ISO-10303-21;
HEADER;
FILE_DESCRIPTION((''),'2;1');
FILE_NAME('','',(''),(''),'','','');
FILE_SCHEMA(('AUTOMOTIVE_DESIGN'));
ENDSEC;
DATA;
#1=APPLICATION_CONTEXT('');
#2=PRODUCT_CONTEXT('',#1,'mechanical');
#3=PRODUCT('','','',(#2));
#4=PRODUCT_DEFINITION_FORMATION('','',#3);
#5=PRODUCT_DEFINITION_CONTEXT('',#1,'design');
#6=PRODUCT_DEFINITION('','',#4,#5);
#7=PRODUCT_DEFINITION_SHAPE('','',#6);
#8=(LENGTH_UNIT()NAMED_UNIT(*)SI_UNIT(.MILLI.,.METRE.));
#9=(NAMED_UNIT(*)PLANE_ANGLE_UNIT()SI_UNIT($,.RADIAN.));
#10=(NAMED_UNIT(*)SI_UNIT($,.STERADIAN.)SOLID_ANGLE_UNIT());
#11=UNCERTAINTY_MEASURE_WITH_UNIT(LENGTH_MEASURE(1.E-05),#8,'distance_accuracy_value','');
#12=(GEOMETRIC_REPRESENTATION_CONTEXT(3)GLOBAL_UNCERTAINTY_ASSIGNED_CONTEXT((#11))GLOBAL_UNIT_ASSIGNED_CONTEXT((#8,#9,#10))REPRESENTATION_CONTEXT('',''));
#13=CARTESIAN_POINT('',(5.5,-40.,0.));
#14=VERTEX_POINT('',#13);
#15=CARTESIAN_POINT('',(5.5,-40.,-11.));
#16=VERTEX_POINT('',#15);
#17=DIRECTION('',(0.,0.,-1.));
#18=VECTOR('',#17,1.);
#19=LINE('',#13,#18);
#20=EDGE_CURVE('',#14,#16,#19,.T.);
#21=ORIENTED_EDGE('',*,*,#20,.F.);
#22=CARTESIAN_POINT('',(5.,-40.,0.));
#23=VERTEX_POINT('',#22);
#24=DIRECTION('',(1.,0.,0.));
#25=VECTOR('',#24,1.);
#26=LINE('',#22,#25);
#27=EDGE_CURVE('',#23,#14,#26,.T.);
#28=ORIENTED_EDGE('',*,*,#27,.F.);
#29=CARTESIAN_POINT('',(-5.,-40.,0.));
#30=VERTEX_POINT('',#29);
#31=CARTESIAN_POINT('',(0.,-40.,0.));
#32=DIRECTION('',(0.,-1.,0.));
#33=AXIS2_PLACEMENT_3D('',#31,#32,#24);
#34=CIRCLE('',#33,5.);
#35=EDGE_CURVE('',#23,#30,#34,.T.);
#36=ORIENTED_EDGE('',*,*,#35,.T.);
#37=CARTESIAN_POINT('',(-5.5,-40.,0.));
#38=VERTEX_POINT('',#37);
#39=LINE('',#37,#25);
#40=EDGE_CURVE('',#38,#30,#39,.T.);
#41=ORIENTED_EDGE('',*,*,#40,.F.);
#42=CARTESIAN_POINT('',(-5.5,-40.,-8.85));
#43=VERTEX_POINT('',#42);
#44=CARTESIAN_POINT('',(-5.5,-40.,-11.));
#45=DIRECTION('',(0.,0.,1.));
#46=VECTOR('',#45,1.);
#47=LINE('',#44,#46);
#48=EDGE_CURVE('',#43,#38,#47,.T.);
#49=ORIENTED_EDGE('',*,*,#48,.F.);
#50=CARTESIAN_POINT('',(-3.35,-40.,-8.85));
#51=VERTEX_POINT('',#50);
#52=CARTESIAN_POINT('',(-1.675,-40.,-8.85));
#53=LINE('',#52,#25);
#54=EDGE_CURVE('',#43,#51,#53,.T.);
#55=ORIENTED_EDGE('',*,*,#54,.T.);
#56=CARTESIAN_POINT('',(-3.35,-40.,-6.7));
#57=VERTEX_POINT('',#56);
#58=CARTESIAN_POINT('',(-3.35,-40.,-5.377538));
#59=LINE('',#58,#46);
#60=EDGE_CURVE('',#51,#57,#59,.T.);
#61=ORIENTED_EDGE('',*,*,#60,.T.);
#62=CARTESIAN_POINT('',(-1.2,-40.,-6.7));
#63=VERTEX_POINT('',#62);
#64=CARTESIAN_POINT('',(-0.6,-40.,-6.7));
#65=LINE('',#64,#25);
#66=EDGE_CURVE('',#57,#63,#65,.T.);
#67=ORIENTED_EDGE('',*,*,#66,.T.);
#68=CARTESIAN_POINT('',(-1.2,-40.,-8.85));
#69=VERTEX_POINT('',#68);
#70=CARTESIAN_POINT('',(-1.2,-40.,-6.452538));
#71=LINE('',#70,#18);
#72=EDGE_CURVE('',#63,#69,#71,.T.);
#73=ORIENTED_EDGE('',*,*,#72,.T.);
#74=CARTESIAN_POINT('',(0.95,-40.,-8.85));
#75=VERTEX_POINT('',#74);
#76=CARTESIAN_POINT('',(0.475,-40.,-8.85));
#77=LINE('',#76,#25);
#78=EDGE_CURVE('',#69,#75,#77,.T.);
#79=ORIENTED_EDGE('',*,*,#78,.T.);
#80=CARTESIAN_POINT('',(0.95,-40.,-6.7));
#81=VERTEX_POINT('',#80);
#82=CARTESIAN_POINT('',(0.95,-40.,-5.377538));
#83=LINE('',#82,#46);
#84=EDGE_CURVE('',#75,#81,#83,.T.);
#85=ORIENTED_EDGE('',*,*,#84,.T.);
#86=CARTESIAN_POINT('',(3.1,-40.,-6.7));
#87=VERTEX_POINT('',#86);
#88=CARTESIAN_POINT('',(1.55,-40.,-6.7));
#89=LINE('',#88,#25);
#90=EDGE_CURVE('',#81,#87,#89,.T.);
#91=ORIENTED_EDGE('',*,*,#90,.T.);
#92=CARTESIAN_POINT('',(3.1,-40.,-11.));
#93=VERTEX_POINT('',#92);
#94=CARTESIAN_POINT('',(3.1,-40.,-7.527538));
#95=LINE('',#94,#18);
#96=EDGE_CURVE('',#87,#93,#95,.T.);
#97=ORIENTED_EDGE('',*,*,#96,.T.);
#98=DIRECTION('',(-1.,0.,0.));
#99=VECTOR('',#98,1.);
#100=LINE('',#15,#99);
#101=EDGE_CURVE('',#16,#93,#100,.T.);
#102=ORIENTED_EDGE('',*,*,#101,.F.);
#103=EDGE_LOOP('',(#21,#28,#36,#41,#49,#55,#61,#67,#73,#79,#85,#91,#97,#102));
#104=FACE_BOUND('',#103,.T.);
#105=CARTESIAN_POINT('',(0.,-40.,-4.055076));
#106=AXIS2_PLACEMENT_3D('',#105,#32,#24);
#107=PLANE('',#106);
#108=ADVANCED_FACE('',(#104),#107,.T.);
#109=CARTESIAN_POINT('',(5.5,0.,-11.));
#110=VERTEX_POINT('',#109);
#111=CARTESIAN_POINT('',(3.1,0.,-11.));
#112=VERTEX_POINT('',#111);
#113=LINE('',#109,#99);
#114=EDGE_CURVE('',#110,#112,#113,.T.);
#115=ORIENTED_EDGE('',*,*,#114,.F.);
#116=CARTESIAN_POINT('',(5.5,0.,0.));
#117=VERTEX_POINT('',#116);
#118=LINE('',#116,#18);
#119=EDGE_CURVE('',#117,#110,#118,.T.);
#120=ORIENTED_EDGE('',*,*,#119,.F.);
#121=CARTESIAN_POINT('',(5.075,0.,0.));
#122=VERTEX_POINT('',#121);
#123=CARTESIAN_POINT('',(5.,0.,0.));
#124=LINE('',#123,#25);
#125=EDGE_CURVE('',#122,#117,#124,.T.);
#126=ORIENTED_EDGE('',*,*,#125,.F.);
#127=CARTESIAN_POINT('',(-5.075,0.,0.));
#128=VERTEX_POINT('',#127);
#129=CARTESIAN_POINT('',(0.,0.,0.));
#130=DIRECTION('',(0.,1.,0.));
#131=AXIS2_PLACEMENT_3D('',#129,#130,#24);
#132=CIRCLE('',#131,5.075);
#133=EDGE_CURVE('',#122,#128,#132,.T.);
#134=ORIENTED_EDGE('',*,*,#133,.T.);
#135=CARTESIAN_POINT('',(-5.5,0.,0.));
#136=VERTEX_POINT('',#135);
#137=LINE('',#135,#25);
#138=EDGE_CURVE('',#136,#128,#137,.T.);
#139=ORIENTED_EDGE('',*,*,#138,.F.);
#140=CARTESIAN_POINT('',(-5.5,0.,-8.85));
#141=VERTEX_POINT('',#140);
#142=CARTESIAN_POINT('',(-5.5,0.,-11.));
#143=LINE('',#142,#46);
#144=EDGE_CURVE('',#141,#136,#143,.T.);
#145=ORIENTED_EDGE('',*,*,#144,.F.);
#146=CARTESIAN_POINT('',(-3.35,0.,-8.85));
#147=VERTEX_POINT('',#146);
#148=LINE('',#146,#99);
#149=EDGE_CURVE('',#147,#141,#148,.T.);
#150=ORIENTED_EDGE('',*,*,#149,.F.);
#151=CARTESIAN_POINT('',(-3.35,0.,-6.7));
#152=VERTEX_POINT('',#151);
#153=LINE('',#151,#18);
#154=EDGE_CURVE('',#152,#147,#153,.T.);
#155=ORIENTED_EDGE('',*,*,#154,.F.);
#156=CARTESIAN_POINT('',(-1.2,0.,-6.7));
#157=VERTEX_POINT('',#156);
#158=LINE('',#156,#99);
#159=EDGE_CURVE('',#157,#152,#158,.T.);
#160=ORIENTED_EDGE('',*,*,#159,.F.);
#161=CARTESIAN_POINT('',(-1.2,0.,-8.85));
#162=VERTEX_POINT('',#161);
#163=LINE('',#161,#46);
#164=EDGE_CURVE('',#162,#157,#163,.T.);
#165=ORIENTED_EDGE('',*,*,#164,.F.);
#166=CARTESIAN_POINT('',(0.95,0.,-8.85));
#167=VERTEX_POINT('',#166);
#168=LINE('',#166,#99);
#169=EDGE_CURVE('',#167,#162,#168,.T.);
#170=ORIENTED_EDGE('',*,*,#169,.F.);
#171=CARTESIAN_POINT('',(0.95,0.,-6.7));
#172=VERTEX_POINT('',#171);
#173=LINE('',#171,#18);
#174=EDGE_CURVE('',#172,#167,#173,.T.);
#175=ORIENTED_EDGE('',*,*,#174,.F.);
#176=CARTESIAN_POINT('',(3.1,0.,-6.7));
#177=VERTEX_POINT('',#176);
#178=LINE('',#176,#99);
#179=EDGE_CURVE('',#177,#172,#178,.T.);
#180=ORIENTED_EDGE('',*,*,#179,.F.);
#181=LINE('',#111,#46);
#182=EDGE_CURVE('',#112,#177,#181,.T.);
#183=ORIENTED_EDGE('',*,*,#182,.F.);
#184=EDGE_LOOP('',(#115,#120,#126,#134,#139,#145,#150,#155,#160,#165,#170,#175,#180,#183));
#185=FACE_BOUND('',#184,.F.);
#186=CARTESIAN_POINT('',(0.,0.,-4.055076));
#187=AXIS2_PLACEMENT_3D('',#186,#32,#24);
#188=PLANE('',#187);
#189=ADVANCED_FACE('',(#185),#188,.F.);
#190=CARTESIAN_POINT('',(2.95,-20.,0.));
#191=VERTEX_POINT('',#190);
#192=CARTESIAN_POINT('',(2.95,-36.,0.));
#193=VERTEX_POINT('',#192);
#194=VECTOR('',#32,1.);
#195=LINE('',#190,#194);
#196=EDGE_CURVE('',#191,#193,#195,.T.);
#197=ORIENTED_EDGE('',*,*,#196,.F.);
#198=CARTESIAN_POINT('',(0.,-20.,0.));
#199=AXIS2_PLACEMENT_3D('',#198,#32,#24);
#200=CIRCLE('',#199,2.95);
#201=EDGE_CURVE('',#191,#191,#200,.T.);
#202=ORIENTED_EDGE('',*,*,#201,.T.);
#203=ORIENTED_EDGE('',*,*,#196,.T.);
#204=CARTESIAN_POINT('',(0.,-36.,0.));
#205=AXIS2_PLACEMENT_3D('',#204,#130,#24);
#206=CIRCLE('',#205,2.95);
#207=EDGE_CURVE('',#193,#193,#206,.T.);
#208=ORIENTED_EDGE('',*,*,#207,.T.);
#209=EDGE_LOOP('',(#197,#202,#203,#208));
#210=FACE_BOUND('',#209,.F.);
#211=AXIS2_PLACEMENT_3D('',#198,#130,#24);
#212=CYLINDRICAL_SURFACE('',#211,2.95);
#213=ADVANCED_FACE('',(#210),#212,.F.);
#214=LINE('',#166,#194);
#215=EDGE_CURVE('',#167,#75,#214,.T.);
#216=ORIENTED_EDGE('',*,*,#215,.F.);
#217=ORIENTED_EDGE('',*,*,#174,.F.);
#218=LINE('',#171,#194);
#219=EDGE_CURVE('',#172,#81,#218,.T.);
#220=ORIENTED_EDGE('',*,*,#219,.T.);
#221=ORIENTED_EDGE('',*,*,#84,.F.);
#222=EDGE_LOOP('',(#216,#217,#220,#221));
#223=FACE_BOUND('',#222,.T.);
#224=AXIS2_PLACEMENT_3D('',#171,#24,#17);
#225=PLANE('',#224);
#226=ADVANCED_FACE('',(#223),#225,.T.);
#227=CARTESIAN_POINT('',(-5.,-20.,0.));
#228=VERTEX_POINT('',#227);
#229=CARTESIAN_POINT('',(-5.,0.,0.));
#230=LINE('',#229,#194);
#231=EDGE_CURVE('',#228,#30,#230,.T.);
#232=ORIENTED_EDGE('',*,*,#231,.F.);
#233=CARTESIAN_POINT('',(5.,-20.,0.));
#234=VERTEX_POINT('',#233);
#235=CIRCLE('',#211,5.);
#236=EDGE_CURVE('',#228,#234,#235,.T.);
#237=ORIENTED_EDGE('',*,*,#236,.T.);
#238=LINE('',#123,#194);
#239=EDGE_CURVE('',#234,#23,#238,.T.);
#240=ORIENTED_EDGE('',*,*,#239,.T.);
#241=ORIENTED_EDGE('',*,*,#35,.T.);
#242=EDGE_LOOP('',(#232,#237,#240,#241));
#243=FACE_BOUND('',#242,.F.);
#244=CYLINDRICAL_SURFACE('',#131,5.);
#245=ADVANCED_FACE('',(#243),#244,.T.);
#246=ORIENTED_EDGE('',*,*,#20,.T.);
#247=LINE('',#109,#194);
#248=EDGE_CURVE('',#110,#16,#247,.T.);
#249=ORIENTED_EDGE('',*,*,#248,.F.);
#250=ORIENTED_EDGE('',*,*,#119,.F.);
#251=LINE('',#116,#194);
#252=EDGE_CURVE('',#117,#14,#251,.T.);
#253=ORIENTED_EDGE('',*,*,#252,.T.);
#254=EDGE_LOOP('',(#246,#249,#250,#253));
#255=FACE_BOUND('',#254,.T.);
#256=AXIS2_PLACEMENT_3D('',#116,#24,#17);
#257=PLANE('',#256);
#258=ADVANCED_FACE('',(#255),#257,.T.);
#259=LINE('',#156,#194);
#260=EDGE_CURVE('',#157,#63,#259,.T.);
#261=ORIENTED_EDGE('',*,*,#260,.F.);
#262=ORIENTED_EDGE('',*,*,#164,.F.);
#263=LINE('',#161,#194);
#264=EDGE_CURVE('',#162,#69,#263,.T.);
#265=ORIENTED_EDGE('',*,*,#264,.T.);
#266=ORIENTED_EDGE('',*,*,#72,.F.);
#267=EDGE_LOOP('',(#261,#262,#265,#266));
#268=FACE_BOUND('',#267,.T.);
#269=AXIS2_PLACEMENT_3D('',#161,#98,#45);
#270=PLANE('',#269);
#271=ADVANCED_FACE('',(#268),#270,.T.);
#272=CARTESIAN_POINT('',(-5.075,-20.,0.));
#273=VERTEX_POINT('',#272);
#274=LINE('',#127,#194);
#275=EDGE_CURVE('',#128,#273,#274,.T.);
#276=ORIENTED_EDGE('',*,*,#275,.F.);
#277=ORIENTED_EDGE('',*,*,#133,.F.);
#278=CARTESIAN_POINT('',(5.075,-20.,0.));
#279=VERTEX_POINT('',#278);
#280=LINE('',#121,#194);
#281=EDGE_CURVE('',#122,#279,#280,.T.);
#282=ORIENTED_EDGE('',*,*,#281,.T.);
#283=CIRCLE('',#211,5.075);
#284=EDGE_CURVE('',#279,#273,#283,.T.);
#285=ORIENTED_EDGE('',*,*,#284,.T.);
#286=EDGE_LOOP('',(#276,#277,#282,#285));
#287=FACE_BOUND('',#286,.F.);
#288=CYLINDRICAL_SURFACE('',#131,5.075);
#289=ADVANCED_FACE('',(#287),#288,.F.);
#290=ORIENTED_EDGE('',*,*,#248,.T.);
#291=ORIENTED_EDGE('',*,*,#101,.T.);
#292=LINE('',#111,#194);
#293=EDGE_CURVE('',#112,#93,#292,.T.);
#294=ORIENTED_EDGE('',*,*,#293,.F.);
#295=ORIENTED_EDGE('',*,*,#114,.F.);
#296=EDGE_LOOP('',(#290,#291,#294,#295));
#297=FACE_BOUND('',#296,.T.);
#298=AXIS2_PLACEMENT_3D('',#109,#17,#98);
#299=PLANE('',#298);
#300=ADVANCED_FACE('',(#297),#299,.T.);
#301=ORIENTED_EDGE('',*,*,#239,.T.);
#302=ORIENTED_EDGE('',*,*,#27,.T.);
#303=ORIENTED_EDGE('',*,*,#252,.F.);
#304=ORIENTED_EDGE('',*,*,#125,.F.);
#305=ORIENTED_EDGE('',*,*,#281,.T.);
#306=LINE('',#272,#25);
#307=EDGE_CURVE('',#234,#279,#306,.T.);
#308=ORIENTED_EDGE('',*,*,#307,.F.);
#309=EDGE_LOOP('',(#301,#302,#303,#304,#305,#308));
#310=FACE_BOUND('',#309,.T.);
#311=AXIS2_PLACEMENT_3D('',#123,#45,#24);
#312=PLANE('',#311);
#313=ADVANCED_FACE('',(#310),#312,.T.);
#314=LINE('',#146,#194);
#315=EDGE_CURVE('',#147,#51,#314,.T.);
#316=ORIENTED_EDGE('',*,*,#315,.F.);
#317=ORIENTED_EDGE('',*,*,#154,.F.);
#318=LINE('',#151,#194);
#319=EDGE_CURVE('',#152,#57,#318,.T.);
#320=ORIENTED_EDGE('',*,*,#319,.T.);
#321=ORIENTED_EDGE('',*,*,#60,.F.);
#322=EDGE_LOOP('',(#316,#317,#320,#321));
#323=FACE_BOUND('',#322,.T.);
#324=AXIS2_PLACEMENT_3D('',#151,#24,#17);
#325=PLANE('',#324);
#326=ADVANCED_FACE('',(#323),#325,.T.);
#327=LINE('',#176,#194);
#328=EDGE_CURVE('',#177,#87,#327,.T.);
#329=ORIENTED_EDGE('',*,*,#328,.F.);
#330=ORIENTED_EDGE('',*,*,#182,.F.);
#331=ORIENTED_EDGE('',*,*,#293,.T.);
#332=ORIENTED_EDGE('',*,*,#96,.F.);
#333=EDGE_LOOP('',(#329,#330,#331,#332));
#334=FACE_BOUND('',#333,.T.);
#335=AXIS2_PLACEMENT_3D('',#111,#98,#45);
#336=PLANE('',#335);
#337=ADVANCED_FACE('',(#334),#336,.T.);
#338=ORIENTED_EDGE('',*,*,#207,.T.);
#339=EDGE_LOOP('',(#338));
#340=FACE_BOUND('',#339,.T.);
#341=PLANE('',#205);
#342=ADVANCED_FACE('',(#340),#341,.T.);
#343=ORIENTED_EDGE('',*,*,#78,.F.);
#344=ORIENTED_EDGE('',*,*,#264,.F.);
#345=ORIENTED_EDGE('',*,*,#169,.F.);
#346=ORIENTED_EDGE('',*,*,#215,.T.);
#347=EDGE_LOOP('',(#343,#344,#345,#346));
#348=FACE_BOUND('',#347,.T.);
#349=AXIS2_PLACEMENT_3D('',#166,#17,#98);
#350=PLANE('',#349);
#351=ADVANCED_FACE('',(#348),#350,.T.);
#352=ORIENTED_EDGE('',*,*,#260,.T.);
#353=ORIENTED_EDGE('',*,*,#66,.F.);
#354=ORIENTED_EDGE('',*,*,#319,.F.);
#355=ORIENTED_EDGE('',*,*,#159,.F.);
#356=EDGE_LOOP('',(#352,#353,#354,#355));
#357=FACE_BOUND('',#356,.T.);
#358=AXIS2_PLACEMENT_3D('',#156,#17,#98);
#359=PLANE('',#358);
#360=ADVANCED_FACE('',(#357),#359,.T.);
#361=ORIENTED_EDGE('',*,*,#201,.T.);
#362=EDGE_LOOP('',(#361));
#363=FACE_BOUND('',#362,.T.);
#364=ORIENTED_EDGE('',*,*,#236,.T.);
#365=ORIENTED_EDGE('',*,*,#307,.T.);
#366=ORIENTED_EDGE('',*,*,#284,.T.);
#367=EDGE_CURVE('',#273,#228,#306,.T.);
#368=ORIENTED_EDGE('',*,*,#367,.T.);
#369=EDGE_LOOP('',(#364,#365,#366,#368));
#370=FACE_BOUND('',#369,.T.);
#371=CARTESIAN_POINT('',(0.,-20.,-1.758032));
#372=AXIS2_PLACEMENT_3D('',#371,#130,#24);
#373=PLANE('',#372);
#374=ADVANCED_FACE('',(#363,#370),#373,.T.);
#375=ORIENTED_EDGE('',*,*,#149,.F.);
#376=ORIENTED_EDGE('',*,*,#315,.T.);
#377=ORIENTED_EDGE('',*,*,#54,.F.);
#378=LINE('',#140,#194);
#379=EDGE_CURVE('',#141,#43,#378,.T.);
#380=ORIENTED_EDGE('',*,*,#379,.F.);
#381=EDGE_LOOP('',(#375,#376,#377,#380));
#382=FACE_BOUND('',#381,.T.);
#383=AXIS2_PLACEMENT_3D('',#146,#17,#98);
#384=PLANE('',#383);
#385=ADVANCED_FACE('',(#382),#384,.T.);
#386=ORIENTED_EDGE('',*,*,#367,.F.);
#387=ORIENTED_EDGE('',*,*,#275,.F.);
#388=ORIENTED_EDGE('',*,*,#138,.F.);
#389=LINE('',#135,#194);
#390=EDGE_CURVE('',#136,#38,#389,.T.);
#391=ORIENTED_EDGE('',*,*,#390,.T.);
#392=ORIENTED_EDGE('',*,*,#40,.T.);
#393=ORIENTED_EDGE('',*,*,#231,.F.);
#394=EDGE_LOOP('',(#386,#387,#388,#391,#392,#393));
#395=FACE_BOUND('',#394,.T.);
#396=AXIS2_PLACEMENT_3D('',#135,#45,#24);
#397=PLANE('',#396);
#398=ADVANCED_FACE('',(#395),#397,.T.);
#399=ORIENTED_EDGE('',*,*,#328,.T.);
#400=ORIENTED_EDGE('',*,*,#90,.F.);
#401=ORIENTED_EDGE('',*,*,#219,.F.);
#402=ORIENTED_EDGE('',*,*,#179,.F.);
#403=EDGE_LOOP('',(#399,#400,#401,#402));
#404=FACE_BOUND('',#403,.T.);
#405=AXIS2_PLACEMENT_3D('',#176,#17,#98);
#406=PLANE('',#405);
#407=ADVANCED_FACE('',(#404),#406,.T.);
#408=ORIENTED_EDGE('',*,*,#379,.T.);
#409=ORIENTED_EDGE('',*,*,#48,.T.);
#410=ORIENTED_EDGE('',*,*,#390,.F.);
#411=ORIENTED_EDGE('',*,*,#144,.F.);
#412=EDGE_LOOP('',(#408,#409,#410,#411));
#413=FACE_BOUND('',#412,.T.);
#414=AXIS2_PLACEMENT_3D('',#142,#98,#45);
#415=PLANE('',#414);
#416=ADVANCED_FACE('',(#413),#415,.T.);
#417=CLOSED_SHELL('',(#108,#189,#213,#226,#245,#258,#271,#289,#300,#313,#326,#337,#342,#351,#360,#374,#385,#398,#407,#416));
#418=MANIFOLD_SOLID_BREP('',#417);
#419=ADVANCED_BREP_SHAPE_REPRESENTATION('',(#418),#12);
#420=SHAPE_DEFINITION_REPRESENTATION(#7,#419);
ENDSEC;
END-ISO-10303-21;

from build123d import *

# Parameters (mm, degrees)
PAD_DEPTH       = 40
SKETCH001_R     = 5
POCKET_DEPTH    = 20
SKETCH002_R     = 2.95
POCKET001_DEPTH = 16
POCKET002_DEPTH = 40.001
POCKET003_DEPTH = 20


with BuildPart() as part:
    # Sketch → Pad (new body)
    with BuildSketch(Plane.XZ):
        with BuildLine():
            ThreePointArc((5, 0), (0, 5), (-5, 0))
            Line((-5.5, 0), (-5, 0))
            Line((-5.5, -11), (-5.5, 0))
            Line((5.5, -11), (-5.5, -11))
            Line((5.5, 0), (5.5, -11))
            Line((5, 0), (5.5, 0))
        make_face()
    extrude(amount=PAD_DEPTH)

    # Sketch001 (on Face7 of Pad) → Pocket (cut)
    with BuildSketch(Plane(origin=(0, 0, 0), x_dir=(1, 0, 0), z_dir=(0, 1, 0))):
        Circle(SKETCH001_R)
    extrude(amount=-POCKET_DEPTH, mode=Mode.SUBTRACT)

    # Sketch002 (on Face8 of Pocket) → Pocket001 (cut)
    with BuildSketch(Plane(origin=(0, -20, 0), x_dir=(1, 0, 0), z_dir=(0, 1, 0))):
        Circle(SKETCH002_R)
    extrude(amount=-POCKET001_DEPTH, mode=Mode.SUBTRACT)

    # Sketch003 (on Face5 of Pocket001) → Pocket002 (cut, through all)
    with BuildSketch(Plane(origin=(0, 0, 0), x_dir=(1, 0, 0), z_dir=(0, 1, 0))):
        Polygon((-5.5, 11), (3.1, 11), (3.1, 6.7), (0.95, 6.7), (0.95, 8.85), (-1.2, 8.85), (-1.2, 6.7), (-3.35, 6.7), (-3.35, 8.85), (-5.5, 8.85), align=None)
    extrude(amount=-POCKET002_DEPTH, mode=Mode.SUBTRACT)

    # Sketch004 (on Face5 of Pocket002) → Pocket003 (cut)
    with BuildSketch(Plane(origin=(0, 0, 0), x_dir=(1, 0, 0), z_dir=(0, 1, 0))):
        with BuildLine():
            ThreePointArc((5.075, 0), (0, 5.075), (-5.075, 0))
            Line((-5.075, 0), (5.075, 0))
        make_face()
    extrude(amount=-POCKET003_DEPTH, mode=Mode.SUBTRACT)


solid = part.part
